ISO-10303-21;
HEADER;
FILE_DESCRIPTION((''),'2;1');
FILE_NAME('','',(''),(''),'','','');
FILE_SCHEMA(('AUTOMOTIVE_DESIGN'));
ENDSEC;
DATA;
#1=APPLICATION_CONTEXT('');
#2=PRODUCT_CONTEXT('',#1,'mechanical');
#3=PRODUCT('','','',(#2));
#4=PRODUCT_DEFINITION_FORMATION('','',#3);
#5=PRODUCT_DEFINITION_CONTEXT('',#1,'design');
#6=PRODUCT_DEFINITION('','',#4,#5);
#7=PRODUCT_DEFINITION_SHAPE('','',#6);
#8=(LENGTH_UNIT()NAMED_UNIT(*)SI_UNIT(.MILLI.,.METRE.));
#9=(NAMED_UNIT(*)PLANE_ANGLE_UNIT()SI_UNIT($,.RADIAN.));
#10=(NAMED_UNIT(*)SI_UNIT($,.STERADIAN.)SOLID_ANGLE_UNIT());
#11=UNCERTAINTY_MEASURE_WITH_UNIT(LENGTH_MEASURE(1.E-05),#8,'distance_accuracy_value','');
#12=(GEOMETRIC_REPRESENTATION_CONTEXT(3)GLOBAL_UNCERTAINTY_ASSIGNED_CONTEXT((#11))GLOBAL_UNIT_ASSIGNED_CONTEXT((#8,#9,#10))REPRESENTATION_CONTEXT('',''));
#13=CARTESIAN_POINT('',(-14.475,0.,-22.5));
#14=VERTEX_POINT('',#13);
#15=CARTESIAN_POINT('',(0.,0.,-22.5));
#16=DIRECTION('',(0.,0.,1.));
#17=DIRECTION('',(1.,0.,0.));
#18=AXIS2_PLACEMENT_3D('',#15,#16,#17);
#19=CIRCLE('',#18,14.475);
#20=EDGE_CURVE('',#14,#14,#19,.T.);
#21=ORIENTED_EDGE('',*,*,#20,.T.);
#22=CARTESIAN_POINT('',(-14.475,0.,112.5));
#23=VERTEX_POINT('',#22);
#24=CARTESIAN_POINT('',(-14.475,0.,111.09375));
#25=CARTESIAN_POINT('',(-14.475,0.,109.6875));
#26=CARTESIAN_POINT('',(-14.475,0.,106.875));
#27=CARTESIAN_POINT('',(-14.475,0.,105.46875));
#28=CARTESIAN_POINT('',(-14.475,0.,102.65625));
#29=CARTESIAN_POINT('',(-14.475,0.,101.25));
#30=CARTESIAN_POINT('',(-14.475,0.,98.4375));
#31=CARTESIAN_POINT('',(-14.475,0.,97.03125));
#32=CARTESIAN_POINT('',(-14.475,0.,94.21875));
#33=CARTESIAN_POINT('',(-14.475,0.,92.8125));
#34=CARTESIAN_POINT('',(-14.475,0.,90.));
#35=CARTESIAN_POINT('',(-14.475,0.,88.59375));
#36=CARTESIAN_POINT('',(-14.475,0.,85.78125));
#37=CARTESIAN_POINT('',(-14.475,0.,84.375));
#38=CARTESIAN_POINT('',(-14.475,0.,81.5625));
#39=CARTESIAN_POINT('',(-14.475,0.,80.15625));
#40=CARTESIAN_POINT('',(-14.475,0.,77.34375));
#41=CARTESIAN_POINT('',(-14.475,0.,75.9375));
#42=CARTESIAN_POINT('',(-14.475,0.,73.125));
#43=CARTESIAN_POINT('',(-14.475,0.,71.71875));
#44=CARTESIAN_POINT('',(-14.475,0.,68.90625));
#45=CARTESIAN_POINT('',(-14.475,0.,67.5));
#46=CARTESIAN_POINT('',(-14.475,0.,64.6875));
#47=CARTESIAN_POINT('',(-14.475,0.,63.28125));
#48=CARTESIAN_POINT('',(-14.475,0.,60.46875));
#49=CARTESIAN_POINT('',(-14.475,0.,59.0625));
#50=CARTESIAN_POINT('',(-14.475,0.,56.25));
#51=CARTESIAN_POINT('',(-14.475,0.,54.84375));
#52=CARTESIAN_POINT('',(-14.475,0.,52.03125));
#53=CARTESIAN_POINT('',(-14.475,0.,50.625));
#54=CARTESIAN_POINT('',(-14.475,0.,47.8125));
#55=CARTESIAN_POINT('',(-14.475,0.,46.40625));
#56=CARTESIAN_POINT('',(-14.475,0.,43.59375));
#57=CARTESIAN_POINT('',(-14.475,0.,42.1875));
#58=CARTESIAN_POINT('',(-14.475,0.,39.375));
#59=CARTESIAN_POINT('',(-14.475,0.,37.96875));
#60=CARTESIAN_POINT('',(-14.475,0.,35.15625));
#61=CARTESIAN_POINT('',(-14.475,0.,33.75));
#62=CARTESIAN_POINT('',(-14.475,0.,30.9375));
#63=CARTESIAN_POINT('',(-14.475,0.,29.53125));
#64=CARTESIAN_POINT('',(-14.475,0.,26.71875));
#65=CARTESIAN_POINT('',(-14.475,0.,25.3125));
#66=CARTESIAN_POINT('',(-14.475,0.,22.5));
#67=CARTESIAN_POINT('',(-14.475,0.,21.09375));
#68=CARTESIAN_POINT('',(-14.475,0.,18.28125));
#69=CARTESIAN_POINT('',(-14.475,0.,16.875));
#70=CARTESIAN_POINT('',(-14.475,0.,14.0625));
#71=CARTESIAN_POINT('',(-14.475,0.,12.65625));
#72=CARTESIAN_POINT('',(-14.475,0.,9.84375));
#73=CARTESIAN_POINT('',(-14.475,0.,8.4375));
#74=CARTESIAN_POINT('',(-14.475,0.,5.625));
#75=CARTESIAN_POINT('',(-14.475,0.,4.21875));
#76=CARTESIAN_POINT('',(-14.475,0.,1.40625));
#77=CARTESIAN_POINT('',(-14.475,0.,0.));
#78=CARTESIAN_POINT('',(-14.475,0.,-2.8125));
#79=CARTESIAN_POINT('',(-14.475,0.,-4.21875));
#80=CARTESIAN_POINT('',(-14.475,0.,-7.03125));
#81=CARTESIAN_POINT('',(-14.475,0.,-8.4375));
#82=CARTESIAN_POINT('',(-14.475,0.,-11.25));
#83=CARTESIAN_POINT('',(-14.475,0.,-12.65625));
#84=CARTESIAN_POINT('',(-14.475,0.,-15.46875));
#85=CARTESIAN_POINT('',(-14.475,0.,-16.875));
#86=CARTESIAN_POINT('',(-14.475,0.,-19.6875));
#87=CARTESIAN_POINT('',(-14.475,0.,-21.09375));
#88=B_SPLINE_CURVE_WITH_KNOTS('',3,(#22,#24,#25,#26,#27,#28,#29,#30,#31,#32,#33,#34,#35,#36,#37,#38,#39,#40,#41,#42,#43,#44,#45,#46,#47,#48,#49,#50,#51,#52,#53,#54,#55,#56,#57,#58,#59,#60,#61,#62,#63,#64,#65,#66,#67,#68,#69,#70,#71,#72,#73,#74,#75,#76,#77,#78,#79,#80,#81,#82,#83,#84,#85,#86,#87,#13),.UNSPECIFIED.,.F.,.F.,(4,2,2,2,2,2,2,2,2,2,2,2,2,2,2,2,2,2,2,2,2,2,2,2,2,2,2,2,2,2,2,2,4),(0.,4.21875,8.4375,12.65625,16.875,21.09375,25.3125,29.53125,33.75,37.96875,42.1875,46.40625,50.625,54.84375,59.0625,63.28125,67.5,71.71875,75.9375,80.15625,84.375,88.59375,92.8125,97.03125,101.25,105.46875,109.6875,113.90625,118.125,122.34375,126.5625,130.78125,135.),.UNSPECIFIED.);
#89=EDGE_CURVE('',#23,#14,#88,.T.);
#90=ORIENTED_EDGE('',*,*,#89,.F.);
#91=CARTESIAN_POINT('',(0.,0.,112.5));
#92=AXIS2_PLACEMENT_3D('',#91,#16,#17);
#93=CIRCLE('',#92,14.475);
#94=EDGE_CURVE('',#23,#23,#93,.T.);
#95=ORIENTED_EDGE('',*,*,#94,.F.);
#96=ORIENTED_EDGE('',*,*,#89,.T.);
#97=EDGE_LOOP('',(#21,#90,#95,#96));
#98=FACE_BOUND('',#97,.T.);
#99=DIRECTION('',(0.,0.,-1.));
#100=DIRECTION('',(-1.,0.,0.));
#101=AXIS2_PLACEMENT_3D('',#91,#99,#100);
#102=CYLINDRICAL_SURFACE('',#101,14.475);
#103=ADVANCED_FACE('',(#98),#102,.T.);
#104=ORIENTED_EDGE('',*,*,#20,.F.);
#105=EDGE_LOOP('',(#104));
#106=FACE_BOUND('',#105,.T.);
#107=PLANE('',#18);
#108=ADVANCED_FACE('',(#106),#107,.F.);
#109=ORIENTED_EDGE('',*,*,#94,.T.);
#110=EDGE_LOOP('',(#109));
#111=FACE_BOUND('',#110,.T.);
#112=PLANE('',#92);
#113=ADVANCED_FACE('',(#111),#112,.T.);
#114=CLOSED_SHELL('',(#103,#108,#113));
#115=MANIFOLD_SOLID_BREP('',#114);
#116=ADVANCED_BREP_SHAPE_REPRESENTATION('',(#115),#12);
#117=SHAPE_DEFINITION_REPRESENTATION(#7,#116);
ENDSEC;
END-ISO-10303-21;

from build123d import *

# Parameters (mm, degrees)
SKETCH1_R           = 9.65
BOSS_EXTRUDE1_DEPTH = 90
SCALE1_SCALE        = 1.5


with BuildPart() as part:
    # Sketch1 → Boss-Extrude1 (new body)
    with BuildSketch(Plane.XY):
        with Locations(Location((0, 0, 0), (0, 0, 180))):
            Circle(SKETCH1_R)
    extrude(amount=BOSS_EXTRUDE1_DEPTH)


with BuildPart() as part_1:
    # Scale1: scaled about (0, 0, 45)
    add(part.part.scale(SCALE1_SCALE).moved(Location((0, 0, -22.5))))


solid = part_1.part
